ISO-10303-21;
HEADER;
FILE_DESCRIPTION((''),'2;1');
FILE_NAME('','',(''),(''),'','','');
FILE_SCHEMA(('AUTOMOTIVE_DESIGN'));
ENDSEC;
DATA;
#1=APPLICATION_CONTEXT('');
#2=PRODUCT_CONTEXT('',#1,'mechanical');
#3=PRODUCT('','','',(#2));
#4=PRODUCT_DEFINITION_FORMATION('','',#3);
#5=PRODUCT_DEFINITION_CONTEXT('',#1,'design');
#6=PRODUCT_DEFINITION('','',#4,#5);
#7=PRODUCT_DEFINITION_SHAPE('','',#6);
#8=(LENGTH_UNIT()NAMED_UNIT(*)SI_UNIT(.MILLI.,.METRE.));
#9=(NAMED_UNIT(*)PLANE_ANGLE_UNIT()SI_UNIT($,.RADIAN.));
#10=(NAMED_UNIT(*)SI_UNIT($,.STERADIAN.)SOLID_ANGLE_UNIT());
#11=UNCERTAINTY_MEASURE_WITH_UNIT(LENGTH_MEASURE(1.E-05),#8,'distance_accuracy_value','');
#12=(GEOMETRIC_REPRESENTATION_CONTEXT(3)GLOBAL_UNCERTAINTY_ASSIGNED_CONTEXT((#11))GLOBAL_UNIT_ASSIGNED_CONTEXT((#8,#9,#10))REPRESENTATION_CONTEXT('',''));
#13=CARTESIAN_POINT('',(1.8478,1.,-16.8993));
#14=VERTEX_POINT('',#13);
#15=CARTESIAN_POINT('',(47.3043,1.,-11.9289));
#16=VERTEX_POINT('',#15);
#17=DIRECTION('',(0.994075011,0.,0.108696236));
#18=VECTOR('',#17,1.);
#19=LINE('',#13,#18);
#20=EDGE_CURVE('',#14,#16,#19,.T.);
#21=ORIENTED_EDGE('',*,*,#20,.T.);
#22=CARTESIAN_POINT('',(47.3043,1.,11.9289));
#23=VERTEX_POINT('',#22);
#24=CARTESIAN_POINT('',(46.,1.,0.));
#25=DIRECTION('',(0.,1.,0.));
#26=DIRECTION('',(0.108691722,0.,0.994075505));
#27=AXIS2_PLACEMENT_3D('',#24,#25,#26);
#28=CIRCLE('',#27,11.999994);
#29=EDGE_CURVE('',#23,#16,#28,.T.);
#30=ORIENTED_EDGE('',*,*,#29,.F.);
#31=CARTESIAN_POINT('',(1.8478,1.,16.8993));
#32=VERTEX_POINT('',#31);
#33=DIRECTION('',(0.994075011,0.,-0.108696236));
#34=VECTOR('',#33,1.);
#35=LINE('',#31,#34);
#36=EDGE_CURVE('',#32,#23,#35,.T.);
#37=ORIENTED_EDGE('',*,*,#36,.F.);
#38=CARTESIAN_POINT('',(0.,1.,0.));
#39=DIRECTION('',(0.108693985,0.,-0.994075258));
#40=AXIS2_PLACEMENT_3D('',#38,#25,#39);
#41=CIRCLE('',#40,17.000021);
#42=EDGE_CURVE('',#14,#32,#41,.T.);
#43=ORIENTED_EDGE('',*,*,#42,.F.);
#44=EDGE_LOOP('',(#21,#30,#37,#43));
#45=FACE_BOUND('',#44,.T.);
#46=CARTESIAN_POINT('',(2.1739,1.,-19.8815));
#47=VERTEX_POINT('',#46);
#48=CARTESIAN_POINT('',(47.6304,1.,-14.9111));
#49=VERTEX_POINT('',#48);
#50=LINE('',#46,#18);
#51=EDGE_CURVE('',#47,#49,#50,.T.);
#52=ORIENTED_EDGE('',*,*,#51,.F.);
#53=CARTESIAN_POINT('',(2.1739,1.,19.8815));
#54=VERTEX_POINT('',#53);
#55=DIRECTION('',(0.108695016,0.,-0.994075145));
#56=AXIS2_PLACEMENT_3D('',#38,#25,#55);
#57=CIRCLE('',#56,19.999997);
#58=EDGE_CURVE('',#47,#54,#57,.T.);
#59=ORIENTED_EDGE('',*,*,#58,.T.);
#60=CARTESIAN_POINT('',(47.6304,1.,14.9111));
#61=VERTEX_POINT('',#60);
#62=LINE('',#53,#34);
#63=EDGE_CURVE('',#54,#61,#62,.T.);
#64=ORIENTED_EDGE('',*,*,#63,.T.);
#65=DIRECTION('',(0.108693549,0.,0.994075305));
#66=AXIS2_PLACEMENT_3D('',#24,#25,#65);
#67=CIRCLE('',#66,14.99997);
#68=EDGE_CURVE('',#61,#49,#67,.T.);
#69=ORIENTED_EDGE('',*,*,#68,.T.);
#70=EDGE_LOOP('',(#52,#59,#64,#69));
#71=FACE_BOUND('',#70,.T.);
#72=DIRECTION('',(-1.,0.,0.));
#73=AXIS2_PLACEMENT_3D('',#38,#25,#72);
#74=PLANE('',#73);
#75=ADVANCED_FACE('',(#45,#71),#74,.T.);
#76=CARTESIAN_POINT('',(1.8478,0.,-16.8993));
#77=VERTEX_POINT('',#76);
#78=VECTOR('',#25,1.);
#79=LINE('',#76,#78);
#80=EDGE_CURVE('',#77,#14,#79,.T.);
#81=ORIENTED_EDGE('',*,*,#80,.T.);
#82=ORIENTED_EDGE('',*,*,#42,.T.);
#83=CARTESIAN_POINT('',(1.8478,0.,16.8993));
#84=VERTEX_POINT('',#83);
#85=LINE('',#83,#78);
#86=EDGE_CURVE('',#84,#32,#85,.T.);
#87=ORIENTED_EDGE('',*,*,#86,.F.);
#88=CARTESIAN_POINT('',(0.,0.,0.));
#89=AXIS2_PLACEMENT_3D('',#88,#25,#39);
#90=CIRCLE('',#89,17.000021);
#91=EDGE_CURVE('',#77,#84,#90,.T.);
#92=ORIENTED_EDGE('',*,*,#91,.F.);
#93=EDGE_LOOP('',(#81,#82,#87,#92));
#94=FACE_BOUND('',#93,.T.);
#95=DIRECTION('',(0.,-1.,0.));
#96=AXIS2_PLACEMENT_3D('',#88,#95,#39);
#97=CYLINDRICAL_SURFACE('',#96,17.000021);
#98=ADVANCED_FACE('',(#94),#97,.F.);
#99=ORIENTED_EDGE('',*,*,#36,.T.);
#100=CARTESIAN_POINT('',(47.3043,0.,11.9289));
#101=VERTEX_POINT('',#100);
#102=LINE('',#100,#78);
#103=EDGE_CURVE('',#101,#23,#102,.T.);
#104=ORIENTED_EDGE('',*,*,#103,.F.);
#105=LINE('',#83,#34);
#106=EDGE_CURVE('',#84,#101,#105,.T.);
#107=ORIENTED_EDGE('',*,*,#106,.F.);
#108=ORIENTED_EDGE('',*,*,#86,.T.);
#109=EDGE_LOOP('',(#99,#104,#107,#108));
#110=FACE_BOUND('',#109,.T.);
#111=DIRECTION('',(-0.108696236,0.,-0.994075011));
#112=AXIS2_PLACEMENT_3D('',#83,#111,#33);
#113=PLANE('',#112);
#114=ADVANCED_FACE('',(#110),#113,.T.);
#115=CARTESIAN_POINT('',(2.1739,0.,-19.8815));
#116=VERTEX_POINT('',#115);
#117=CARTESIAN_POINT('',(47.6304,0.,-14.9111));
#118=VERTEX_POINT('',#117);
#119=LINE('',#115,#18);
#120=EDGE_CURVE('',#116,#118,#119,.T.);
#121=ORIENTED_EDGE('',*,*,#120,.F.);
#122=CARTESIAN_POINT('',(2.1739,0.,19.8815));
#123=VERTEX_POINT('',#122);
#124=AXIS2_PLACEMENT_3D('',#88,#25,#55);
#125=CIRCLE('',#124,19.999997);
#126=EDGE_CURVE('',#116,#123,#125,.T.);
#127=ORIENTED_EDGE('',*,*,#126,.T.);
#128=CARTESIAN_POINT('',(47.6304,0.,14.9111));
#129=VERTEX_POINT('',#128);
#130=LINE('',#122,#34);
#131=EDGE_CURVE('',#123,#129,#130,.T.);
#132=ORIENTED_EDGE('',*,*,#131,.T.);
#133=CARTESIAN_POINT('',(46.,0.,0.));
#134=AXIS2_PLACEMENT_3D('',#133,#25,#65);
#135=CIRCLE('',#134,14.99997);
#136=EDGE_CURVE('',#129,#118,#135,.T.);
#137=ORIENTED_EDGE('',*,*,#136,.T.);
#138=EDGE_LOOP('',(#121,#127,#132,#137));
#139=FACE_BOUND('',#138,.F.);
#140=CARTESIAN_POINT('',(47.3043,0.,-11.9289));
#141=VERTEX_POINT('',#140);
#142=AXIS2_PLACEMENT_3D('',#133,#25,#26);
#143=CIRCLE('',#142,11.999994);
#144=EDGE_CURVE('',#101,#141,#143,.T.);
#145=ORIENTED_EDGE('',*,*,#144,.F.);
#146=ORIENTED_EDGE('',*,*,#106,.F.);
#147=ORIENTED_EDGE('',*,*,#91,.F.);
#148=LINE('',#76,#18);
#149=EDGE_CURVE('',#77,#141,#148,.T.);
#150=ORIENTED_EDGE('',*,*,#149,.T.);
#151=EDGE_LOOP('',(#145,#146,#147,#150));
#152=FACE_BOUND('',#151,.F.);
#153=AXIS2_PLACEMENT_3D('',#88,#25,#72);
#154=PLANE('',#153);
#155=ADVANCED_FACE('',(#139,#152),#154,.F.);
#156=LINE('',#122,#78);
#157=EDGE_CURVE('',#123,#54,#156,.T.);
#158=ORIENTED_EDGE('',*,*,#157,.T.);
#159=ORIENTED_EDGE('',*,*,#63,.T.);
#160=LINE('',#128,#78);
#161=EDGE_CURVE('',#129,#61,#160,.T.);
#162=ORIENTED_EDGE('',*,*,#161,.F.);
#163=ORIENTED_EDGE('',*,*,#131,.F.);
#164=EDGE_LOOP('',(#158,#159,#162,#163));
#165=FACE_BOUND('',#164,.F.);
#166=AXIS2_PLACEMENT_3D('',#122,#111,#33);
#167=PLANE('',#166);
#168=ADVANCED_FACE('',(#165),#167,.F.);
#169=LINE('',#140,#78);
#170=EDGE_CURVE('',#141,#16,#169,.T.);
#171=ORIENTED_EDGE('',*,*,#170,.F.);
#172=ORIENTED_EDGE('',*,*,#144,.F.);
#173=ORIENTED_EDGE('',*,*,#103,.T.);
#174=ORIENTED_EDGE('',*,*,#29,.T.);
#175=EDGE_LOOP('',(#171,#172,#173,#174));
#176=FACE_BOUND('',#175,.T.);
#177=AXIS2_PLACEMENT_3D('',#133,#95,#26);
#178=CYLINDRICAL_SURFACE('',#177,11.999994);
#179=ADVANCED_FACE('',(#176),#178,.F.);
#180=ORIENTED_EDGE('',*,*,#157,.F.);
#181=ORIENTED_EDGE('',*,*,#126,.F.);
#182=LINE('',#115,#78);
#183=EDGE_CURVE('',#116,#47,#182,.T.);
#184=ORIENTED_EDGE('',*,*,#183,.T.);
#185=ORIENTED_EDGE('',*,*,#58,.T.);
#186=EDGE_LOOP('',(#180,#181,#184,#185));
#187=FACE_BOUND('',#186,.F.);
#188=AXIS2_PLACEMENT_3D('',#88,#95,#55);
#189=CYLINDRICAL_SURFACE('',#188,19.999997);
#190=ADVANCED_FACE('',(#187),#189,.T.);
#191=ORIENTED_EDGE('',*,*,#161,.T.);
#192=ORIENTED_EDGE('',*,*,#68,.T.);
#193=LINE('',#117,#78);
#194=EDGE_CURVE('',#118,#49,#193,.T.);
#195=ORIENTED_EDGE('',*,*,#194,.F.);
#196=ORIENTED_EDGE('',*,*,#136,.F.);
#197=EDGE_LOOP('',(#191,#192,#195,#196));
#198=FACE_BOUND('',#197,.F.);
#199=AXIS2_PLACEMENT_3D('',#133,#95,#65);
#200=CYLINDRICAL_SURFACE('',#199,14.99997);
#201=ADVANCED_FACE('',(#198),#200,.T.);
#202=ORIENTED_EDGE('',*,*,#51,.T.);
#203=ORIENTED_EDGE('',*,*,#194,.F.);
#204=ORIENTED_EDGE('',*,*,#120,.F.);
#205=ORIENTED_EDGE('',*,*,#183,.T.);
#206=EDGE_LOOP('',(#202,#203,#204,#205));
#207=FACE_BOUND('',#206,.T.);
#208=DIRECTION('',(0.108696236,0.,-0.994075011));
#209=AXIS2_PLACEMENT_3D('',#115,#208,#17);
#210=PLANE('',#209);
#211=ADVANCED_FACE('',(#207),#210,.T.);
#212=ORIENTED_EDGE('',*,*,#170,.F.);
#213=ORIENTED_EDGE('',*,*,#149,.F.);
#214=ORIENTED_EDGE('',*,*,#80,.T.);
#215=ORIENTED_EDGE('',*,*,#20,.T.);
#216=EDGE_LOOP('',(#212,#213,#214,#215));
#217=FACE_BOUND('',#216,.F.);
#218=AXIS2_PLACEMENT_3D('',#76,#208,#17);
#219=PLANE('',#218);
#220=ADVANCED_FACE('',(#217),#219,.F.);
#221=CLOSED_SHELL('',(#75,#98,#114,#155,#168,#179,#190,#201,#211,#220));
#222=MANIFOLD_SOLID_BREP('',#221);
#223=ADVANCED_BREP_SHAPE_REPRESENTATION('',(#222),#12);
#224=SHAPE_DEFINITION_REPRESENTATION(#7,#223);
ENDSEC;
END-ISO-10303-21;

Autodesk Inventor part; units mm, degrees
ref_plane "YZ Plane" through (0, 0, 0) normal (1, 0, 0) x (0, 1, 0)
ref_plane "XZ Plane" through (0, 0, 0) normal (0, 1, 0) x (-1, 0, 0)
ref_plane "XY Plane" through (0, 0, 0) normal (0, 0, 1) x (1, 0, 0)
sketch "Skizze1" plane through (0, 0, 0) normal (0, 1, 0) x (-1, 0, 0)
  arc A0 (-2.1739, -19.8815) -> (-2.1739, 19.8815) centre (0, 0) ccw
  arc A1 (-47.6304, 14.9111) -> (-47.6304, -14.9111) centre (-46, 0) ccw
  line L0 (-2.1739, 19.8815) -> (-47.6304, 14.9111)
  line L1 (-2.1739, -19.8815) -> (-47.6304, -14.9111)
  line L2 (45.0235, 0) -> (-115.148, 0) construction
  arc A2 (-1.8478, -16.8993) -> (-1.8478, 16.8993) centre (0, 0) ccw
  arc A3 (-47.3043, 11.9289) -> (-47.3043, -11.9289) centre (-46, 0) ccw
  line L3 (-1.8478, 16.8993) -> (-47.3043, 11.9289)
  line L4 (-1.8478, -16.8993) -> (-47.3043, -11.9289)
  dimension "d0" = 40
  dimension "d1" = 30
  dimension "d2" = 46
  dimension "d3" = 3
  dimension "d4" = 3
extrude "Extrusion1" add sketch "Skizze1" along normal blind 1
properties part number "Klapp_Dichtungsgummi"
